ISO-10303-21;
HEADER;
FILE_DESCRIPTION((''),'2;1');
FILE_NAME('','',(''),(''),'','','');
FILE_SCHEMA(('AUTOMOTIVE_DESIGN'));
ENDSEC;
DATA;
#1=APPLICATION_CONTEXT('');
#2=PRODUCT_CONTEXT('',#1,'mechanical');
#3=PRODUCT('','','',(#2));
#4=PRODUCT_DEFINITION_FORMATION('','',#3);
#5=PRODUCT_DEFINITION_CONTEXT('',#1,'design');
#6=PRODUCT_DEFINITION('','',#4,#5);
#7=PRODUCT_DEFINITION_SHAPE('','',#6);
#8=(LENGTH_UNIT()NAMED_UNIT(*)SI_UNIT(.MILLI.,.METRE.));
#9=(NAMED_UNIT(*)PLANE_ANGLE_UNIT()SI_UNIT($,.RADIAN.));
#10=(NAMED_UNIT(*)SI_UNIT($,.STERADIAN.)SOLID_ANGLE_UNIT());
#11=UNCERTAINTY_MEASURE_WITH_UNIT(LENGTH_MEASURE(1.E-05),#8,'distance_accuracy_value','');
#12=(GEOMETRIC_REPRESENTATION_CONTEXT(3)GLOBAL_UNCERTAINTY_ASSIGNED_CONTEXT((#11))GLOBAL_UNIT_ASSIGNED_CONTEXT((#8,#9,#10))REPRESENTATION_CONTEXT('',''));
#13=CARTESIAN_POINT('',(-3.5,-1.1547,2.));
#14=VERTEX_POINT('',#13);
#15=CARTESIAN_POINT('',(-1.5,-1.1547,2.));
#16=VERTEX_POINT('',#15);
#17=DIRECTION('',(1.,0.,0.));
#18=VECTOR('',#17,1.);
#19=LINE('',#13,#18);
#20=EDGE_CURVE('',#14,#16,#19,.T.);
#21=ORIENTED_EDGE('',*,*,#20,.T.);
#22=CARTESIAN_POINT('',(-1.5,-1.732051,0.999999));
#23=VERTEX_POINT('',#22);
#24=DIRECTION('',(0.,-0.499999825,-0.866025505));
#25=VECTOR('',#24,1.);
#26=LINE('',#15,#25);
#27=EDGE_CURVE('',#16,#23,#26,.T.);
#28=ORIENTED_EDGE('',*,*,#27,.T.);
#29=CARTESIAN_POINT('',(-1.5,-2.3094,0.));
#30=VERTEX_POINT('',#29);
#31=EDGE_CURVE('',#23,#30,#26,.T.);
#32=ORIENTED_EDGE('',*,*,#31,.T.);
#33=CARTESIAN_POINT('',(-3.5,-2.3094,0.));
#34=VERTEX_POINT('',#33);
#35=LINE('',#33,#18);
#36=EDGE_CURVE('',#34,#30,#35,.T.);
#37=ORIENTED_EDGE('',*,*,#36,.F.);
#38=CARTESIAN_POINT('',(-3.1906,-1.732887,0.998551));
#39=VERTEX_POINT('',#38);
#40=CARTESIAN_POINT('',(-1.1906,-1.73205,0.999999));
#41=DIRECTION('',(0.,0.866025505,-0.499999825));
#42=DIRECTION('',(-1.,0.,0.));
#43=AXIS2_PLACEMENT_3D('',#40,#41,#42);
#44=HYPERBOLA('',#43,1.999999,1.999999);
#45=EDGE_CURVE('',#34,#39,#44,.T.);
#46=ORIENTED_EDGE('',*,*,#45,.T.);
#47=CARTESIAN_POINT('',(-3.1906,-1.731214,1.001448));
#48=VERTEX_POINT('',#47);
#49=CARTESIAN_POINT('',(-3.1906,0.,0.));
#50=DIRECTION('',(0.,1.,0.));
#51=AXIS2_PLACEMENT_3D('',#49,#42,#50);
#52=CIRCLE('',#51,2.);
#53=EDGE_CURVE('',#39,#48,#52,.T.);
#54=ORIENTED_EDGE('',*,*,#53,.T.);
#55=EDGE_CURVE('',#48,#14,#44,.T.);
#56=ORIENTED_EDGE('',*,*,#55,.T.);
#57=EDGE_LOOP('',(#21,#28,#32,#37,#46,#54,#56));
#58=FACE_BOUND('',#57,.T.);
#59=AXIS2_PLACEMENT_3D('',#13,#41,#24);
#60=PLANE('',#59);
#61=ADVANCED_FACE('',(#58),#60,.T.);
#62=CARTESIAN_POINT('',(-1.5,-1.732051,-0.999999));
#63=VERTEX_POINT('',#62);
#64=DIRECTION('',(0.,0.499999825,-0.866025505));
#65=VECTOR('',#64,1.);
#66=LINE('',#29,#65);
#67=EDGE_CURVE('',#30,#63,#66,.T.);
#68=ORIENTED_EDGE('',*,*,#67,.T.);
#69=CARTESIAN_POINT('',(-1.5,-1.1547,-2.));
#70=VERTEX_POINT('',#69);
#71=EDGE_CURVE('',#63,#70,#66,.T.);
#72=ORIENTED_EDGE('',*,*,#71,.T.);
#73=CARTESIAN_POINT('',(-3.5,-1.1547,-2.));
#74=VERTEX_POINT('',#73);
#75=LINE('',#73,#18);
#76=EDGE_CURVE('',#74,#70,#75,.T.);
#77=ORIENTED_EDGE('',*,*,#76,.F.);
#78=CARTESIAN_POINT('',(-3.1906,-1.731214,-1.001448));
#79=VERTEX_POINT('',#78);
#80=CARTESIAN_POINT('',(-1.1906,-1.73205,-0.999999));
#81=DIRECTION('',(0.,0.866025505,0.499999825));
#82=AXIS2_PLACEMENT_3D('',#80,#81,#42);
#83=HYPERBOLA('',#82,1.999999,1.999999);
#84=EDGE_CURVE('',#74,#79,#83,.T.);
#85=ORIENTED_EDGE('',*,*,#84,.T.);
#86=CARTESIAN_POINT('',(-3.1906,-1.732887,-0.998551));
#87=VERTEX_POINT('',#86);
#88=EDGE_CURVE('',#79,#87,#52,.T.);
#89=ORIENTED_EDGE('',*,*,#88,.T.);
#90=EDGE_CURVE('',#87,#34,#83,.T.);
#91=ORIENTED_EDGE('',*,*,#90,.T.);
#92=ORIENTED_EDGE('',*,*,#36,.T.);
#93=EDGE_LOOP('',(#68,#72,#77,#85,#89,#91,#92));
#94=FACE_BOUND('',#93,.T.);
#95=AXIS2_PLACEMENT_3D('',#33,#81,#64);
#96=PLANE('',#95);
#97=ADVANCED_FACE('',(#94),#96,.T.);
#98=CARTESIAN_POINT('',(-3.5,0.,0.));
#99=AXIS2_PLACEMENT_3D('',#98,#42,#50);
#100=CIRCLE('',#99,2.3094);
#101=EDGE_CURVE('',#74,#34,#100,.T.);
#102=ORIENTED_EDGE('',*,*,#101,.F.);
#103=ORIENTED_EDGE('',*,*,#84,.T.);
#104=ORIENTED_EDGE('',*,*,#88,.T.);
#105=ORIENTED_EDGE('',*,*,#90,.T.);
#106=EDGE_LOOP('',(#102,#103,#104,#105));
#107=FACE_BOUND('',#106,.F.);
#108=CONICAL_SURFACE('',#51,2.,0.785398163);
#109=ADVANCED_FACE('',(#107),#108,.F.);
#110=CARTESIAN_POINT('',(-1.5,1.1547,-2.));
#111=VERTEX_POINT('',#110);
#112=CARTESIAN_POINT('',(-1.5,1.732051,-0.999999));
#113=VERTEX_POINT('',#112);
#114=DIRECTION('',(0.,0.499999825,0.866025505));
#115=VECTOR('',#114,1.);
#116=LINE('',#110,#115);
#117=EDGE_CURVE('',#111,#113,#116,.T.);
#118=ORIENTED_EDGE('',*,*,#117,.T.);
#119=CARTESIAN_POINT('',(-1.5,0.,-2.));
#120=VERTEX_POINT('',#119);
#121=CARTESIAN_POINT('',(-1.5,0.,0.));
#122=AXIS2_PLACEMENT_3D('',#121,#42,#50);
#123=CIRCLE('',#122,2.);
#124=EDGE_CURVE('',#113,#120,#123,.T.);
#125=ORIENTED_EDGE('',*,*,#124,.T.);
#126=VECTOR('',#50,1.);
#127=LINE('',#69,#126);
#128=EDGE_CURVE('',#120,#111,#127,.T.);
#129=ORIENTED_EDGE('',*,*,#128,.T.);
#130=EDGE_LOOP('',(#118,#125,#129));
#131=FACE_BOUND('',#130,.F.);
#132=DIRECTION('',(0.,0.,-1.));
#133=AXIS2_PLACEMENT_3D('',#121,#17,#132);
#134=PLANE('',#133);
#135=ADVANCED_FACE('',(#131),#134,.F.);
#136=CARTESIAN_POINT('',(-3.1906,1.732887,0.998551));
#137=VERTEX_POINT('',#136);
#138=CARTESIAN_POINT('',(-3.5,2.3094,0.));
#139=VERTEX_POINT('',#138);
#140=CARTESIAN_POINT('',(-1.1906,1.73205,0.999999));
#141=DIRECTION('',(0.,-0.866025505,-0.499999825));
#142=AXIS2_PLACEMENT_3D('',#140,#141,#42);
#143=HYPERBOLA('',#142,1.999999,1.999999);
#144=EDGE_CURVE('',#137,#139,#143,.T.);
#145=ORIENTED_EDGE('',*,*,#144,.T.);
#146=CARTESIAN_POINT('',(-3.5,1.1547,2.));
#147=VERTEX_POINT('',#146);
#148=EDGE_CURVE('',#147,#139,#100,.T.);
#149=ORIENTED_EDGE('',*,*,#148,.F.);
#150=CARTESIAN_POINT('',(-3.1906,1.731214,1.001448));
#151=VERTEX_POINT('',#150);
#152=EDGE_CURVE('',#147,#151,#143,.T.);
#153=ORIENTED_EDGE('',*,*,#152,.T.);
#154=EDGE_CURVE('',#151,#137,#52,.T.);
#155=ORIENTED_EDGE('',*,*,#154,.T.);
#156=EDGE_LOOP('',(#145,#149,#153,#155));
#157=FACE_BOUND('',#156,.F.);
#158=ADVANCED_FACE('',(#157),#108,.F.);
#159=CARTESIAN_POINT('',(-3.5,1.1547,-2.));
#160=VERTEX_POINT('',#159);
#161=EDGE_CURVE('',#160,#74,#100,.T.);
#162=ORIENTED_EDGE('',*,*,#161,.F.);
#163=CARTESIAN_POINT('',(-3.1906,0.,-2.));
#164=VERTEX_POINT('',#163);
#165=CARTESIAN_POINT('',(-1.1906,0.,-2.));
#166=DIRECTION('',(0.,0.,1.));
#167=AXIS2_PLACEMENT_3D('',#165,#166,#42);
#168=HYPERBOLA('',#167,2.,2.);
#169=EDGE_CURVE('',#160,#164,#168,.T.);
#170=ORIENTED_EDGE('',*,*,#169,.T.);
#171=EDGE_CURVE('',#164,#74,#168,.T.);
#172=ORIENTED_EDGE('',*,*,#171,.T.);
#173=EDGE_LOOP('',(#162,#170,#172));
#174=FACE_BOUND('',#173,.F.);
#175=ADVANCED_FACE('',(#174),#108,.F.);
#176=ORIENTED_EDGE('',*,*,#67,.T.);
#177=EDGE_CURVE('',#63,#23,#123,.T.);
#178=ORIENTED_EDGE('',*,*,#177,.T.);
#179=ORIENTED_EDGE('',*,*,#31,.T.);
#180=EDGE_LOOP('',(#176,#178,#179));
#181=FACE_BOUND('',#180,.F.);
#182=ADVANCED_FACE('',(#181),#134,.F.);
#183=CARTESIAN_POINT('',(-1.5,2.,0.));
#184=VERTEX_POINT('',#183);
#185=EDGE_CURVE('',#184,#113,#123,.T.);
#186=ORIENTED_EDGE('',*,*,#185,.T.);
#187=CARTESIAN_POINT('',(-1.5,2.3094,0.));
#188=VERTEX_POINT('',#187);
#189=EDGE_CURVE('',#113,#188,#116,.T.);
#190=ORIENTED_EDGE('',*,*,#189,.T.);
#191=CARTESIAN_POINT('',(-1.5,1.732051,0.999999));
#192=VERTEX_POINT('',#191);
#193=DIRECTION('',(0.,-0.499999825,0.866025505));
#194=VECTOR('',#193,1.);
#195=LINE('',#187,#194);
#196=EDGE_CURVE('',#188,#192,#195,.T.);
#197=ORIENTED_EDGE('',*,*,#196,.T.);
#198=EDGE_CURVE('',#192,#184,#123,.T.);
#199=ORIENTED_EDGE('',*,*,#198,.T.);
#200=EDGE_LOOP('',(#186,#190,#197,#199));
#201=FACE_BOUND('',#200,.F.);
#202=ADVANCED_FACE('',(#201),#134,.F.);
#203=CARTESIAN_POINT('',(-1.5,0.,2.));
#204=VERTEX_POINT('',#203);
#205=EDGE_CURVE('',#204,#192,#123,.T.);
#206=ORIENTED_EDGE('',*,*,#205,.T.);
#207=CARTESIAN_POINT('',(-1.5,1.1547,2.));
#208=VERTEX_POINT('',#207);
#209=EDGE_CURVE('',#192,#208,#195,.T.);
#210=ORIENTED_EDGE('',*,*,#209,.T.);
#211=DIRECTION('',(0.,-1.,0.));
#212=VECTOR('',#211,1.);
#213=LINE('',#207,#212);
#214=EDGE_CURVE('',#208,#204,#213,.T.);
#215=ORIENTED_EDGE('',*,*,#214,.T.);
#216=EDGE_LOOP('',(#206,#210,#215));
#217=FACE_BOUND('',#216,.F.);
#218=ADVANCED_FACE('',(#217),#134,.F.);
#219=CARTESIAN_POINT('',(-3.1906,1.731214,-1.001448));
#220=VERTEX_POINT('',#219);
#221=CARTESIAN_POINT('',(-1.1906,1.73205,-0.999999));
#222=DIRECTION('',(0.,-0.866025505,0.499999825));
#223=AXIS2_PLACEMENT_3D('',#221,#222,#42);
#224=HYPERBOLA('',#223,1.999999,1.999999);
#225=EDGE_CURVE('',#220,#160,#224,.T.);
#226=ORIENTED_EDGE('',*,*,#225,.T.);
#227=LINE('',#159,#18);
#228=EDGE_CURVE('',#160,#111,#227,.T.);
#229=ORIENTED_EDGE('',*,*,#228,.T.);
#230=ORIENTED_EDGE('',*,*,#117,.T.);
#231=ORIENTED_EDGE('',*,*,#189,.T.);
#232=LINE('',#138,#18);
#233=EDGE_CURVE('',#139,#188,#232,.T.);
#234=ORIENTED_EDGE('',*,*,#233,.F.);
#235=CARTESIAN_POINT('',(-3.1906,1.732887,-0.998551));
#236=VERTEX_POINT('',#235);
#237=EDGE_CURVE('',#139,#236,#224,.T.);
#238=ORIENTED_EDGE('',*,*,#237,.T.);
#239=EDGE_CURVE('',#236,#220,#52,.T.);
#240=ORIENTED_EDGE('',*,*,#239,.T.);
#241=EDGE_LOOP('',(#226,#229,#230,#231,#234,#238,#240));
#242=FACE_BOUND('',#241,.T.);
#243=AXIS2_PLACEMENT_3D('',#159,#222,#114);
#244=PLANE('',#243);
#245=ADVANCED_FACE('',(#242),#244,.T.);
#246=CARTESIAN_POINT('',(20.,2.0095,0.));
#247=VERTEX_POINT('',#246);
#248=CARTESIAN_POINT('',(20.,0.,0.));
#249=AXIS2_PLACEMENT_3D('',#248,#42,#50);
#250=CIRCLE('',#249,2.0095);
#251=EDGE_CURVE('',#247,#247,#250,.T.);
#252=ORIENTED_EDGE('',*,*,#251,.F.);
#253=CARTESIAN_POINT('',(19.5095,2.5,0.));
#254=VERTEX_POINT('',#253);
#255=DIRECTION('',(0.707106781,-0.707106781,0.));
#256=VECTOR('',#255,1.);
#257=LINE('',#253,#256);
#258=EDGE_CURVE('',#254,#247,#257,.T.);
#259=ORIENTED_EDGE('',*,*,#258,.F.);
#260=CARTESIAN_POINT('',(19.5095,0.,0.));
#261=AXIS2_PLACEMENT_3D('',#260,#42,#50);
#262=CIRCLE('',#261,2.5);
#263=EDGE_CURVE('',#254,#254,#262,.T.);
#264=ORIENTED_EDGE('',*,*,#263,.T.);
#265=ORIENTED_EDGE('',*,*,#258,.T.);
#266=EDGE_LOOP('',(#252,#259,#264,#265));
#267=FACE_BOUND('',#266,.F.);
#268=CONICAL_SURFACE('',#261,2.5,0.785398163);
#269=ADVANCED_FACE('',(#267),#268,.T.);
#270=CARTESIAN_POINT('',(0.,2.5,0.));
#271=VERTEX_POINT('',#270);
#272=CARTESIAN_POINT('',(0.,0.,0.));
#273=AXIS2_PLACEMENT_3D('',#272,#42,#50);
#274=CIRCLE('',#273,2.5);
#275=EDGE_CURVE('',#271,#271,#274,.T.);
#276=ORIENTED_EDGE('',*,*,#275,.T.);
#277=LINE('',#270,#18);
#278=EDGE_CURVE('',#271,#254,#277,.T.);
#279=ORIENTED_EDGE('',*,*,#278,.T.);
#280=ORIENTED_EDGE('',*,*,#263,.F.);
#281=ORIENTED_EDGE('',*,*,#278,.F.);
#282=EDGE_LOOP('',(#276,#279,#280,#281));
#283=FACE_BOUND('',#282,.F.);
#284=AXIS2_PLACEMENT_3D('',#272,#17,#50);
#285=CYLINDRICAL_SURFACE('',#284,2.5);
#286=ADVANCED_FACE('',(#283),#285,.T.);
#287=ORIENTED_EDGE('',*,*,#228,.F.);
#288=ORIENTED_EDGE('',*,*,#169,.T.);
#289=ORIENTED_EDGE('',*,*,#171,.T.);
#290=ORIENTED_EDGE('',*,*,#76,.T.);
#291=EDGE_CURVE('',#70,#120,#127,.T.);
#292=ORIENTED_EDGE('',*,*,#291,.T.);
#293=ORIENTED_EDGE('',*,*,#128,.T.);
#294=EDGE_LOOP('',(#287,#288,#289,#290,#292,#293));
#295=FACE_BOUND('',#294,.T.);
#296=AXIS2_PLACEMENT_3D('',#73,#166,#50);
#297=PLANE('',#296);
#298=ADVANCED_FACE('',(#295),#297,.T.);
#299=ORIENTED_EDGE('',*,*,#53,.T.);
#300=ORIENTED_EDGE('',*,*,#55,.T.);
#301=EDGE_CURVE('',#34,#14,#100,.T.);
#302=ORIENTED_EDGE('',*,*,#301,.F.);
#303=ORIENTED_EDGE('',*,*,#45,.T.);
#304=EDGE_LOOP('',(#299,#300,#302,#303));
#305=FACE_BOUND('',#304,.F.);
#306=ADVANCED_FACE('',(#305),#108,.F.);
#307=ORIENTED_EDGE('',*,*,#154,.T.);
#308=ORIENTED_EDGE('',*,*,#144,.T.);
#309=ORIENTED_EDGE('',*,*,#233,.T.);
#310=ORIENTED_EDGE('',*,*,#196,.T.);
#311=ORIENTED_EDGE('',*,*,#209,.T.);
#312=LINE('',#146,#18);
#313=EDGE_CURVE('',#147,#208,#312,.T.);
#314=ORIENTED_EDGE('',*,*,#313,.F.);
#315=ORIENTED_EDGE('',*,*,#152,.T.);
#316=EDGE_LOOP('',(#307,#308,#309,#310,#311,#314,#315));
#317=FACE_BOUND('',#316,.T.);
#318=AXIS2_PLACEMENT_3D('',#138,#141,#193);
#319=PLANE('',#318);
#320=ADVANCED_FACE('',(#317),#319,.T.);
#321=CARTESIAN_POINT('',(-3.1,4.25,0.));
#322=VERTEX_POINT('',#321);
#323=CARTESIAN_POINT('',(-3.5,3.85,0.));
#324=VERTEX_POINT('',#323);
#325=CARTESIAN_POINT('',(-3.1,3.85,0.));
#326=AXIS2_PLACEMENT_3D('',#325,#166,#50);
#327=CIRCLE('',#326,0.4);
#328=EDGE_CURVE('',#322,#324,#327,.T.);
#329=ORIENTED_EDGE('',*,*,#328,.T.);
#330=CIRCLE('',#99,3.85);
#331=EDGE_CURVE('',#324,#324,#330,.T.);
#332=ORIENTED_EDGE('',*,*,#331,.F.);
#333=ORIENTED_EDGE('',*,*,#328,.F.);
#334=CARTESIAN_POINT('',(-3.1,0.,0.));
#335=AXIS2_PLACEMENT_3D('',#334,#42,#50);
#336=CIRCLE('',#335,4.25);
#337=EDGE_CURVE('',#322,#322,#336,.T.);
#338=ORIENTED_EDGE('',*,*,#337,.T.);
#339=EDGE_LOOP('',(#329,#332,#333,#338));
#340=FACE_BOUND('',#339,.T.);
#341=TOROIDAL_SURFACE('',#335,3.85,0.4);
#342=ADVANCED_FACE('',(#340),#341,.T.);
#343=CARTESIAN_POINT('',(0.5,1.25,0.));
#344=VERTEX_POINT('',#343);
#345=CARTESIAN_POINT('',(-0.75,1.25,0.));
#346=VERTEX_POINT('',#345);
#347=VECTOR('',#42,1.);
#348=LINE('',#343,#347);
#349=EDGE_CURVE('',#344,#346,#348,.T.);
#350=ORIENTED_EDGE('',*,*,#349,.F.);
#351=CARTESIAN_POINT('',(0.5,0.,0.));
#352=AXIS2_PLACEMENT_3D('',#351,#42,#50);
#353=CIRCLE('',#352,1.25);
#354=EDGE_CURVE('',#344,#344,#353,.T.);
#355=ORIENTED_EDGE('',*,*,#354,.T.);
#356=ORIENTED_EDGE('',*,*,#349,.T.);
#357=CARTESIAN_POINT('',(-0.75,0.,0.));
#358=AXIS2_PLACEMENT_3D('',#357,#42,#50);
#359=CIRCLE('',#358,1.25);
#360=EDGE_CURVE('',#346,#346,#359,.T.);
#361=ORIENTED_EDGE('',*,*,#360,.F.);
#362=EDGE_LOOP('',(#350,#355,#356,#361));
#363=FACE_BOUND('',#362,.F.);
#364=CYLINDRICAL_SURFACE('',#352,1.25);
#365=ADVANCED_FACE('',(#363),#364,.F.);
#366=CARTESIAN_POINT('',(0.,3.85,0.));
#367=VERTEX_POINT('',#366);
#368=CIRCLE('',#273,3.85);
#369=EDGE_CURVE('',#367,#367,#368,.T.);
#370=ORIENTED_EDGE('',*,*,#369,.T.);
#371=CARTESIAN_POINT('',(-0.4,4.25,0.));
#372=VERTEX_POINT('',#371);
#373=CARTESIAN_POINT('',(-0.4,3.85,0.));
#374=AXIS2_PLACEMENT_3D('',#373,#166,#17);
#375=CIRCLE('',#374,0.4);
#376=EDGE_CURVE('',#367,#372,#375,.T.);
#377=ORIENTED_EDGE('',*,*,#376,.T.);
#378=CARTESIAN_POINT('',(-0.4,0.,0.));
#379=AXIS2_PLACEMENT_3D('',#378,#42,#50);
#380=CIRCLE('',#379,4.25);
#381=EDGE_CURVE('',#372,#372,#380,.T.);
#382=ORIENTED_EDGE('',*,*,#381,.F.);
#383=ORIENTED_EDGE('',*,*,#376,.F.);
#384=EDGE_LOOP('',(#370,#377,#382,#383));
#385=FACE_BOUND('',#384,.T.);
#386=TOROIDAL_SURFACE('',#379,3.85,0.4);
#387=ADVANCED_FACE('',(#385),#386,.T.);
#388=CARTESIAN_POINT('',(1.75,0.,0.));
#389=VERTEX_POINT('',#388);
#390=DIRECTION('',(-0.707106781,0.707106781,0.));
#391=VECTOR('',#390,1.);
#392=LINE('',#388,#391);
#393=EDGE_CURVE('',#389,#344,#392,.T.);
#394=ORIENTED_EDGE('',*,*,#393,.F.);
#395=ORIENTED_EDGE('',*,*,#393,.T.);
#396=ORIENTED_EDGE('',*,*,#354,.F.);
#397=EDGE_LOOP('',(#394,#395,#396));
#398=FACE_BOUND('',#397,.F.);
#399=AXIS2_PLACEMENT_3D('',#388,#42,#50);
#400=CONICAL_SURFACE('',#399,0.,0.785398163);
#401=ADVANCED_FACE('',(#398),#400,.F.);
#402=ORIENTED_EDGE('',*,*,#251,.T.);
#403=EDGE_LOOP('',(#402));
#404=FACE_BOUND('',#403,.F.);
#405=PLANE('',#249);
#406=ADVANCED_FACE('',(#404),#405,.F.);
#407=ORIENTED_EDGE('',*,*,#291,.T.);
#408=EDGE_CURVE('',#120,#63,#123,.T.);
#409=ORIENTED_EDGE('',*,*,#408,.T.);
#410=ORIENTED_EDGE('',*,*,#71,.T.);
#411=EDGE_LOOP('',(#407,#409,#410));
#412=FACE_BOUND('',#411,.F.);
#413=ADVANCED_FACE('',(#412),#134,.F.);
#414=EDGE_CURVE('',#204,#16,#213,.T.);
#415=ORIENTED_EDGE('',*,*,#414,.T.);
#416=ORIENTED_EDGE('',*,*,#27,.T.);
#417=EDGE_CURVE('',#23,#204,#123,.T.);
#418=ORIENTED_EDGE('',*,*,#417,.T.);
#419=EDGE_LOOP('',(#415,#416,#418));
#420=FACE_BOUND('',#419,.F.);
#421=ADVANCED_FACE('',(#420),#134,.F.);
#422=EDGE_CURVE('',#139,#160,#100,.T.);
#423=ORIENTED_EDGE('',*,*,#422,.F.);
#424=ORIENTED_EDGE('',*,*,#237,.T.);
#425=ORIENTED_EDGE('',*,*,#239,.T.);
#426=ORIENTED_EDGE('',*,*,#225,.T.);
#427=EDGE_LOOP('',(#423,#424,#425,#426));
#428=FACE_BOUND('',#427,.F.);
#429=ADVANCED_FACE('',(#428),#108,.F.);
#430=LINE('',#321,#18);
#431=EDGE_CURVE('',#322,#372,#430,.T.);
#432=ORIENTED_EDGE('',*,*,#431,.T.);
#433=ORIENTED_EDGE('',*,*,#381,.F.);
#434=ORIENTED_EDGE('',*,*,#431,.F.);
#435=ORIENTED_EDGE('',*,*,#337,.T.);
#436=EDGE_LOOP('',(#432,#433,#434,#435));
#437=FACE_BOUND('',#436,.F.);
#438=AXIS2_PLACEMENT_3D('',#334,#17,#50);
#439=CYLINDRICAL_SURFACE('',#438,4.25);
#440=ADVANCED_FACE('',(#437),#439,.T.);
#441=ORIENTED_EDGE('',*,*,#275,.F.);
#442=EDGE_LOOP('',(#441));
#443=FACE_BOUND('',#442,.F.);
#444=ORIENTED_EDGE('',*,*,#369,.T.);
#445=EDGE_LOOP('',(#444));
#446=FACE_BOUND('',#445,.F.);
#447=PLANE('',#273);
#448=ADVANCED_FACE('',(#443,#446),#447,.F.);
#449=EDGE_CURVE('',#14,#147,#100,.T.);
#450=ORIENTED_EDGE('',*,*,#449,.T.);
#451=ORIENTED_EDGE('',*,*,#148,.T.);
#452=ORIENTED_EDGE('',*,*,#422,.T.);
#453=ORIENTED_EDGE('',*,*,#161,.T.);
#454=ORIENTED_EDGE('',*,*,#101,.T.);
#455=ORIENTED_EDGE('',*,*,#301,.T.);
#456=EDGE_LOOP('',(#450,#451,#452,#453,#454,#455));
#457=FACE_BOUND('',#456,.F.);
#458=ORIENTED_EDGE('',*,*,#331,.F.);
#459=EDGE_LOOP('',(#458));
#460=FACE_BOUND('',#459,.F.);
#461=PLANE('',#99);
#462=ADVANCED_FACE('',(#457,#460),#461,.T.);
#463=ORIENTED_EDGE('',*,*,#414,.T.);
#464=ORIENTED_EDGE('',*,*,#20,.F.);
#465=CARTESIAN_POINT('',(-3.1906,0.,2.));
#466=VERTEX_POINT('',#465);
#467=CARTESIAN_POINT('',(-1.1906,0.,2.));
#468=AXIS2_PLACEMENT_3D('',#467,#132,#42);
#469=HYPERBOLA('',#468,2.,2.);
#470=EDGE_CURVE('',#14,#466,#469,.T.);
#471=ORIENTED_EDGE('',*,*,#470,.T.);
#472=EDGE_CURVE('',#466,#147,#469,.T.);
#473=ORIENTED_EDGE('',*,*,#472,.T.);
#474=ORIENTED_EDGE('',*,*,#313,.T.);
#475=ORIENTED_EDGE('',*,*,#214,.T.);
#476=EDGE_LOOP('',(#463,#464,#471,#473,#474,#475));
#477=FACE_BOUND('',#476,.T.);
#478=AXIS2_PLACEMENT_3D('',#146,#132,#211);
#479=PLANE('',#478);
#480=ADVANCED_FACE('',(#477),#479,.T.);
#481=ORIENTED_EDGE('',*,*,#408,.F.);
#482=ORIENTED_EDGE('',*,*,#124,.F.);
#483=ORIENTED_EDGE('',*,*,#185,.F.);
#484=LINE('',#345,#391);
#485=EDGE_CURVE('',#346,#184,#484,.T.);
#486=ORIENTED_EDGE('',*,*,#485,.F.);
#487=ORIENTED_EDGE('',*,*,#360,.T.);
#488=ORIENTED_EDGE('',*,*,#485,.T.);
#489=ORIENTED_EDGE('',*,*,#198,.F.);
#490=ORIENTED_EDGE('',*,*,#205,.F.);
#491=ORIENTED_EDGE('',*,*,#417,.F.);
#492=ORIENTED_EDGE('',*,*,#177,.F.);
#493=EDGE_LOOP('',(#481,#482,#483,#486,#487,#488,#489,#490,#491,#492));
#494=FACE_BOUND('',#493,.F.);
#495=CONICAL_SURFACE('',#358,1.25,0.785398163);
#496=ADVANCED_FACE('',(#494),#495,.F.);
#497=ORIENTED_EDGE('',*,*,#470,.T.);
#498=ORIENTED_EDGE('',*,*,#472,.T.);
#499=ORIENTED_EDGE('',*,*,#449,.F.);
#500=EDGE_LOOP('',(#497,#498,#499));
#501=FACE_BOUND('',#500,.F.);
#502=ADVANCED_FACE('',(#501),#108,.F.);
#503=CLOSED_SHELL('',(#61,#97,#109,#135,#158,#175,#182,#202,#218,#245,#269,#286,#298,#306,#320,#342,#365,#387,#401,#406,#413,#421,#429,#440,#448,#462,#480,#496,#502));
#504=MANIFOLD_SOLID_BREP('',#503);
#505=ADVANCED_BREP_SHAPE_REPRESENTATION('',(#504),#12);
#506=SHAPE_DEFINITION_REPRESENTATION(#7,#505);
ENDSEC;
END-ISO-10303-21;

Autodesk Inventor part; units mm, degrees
sketch "Sketch_1" plane through (0, 0, 0) normal (0, 0, 1) x (1, 0, 0)
  line L0 (20, 0) -> (1.75, 0)
  line L1 (1.75, 0) -> (0.5, 1.25)
  line L2 (0.5, 1.25) -> (-0.75, 1.25)
  line L3 (-0.75, 1.25) -> (-1.5, 2)
  line L4 (-1.5, 2) -> (-3.1906, 2)
  line L5 (-3.1906, 2) -> (-3.5, 2.3094)
  line L6 (-3.5, 2.3094) -> (-3.5, 3.85)
  arc A0 (-3.1, 4.25) -> (-3.5, 3.85) centre (-3.1, 3.85) ccw
  line L7 (-3.1, 4.25) -> (-0.4, 4.25)
  arc A1 (0, 3.85) -> (-0.4, 4.25) centre (-0.4, 3.85) ccw
  line L8 (0, 3.85) -> (0, 2.5)
  line L9 (0, 2.5) -> (19.5095, 2.5)
  line L10 (19.5095, 2.5) -> (20, 2.0095)
  line L11 (20, 2.0095) -> (20, 0)
  line L12 (20, 0) -> (1.75, 0)
revolve "Revolution1" add sketch "Sketch_1" angle 360 about axis through (20, 0, 0) along (-1, 0, 0)
thread "Thread1" size "M5x0.8" class "6g" standard "ISO Metric profile" length 15.3095
sketch "Sketch_2" plane through (-3.5, 0, 0) normal (1, 0, 0) x (0, 0, -1)
  line L0 (-2, -1.1547) -> (0, -2.3094)
  line L1 (0, -2.3094) -> (2, -1.1547)
  line L2 (2, -1.1547) -> (2, 1.1547)
  line L3 (2, 1.1547) -> (0, 2.3094)
  line L4 (0, 2.3094) -> (-2, 1.1547)
  line L5 (-2, 1.1547) -> (-2, -1.1547)
extrude "Extrusion1" cut sketch "Sketch_2" along normal blind 2
ref_plane "MONTAGE_XY" through (0, 0, 0) normal (1, 0, 0) x (0, 0, -1)
ref_plane "MONTAGE_YZ" through (0, 0, 0) normal (0, 0, -1) x (0, 1, 0)
ref_plane "MONTAGE_ZX" through (0, 0, 0) normal (0, 1, 0) x (1, 0, 0)
ref_plane "Schrauben_punkt_XY" through (20, 0, 0) normal (-1, 0, 0) x (0, 0, -1)
ref_plane "Schrauben_punkt_YZ" through (20, 0, 0) normal (0, 0, -1) x (0, -1, 0)
ref_plane "Schrauben_punkt_ZX" through (20, 0, 0) normal (0, -1, 0) x (-1, 0, 0)
properties part number "DIN-6912 - M5x20(F)"
